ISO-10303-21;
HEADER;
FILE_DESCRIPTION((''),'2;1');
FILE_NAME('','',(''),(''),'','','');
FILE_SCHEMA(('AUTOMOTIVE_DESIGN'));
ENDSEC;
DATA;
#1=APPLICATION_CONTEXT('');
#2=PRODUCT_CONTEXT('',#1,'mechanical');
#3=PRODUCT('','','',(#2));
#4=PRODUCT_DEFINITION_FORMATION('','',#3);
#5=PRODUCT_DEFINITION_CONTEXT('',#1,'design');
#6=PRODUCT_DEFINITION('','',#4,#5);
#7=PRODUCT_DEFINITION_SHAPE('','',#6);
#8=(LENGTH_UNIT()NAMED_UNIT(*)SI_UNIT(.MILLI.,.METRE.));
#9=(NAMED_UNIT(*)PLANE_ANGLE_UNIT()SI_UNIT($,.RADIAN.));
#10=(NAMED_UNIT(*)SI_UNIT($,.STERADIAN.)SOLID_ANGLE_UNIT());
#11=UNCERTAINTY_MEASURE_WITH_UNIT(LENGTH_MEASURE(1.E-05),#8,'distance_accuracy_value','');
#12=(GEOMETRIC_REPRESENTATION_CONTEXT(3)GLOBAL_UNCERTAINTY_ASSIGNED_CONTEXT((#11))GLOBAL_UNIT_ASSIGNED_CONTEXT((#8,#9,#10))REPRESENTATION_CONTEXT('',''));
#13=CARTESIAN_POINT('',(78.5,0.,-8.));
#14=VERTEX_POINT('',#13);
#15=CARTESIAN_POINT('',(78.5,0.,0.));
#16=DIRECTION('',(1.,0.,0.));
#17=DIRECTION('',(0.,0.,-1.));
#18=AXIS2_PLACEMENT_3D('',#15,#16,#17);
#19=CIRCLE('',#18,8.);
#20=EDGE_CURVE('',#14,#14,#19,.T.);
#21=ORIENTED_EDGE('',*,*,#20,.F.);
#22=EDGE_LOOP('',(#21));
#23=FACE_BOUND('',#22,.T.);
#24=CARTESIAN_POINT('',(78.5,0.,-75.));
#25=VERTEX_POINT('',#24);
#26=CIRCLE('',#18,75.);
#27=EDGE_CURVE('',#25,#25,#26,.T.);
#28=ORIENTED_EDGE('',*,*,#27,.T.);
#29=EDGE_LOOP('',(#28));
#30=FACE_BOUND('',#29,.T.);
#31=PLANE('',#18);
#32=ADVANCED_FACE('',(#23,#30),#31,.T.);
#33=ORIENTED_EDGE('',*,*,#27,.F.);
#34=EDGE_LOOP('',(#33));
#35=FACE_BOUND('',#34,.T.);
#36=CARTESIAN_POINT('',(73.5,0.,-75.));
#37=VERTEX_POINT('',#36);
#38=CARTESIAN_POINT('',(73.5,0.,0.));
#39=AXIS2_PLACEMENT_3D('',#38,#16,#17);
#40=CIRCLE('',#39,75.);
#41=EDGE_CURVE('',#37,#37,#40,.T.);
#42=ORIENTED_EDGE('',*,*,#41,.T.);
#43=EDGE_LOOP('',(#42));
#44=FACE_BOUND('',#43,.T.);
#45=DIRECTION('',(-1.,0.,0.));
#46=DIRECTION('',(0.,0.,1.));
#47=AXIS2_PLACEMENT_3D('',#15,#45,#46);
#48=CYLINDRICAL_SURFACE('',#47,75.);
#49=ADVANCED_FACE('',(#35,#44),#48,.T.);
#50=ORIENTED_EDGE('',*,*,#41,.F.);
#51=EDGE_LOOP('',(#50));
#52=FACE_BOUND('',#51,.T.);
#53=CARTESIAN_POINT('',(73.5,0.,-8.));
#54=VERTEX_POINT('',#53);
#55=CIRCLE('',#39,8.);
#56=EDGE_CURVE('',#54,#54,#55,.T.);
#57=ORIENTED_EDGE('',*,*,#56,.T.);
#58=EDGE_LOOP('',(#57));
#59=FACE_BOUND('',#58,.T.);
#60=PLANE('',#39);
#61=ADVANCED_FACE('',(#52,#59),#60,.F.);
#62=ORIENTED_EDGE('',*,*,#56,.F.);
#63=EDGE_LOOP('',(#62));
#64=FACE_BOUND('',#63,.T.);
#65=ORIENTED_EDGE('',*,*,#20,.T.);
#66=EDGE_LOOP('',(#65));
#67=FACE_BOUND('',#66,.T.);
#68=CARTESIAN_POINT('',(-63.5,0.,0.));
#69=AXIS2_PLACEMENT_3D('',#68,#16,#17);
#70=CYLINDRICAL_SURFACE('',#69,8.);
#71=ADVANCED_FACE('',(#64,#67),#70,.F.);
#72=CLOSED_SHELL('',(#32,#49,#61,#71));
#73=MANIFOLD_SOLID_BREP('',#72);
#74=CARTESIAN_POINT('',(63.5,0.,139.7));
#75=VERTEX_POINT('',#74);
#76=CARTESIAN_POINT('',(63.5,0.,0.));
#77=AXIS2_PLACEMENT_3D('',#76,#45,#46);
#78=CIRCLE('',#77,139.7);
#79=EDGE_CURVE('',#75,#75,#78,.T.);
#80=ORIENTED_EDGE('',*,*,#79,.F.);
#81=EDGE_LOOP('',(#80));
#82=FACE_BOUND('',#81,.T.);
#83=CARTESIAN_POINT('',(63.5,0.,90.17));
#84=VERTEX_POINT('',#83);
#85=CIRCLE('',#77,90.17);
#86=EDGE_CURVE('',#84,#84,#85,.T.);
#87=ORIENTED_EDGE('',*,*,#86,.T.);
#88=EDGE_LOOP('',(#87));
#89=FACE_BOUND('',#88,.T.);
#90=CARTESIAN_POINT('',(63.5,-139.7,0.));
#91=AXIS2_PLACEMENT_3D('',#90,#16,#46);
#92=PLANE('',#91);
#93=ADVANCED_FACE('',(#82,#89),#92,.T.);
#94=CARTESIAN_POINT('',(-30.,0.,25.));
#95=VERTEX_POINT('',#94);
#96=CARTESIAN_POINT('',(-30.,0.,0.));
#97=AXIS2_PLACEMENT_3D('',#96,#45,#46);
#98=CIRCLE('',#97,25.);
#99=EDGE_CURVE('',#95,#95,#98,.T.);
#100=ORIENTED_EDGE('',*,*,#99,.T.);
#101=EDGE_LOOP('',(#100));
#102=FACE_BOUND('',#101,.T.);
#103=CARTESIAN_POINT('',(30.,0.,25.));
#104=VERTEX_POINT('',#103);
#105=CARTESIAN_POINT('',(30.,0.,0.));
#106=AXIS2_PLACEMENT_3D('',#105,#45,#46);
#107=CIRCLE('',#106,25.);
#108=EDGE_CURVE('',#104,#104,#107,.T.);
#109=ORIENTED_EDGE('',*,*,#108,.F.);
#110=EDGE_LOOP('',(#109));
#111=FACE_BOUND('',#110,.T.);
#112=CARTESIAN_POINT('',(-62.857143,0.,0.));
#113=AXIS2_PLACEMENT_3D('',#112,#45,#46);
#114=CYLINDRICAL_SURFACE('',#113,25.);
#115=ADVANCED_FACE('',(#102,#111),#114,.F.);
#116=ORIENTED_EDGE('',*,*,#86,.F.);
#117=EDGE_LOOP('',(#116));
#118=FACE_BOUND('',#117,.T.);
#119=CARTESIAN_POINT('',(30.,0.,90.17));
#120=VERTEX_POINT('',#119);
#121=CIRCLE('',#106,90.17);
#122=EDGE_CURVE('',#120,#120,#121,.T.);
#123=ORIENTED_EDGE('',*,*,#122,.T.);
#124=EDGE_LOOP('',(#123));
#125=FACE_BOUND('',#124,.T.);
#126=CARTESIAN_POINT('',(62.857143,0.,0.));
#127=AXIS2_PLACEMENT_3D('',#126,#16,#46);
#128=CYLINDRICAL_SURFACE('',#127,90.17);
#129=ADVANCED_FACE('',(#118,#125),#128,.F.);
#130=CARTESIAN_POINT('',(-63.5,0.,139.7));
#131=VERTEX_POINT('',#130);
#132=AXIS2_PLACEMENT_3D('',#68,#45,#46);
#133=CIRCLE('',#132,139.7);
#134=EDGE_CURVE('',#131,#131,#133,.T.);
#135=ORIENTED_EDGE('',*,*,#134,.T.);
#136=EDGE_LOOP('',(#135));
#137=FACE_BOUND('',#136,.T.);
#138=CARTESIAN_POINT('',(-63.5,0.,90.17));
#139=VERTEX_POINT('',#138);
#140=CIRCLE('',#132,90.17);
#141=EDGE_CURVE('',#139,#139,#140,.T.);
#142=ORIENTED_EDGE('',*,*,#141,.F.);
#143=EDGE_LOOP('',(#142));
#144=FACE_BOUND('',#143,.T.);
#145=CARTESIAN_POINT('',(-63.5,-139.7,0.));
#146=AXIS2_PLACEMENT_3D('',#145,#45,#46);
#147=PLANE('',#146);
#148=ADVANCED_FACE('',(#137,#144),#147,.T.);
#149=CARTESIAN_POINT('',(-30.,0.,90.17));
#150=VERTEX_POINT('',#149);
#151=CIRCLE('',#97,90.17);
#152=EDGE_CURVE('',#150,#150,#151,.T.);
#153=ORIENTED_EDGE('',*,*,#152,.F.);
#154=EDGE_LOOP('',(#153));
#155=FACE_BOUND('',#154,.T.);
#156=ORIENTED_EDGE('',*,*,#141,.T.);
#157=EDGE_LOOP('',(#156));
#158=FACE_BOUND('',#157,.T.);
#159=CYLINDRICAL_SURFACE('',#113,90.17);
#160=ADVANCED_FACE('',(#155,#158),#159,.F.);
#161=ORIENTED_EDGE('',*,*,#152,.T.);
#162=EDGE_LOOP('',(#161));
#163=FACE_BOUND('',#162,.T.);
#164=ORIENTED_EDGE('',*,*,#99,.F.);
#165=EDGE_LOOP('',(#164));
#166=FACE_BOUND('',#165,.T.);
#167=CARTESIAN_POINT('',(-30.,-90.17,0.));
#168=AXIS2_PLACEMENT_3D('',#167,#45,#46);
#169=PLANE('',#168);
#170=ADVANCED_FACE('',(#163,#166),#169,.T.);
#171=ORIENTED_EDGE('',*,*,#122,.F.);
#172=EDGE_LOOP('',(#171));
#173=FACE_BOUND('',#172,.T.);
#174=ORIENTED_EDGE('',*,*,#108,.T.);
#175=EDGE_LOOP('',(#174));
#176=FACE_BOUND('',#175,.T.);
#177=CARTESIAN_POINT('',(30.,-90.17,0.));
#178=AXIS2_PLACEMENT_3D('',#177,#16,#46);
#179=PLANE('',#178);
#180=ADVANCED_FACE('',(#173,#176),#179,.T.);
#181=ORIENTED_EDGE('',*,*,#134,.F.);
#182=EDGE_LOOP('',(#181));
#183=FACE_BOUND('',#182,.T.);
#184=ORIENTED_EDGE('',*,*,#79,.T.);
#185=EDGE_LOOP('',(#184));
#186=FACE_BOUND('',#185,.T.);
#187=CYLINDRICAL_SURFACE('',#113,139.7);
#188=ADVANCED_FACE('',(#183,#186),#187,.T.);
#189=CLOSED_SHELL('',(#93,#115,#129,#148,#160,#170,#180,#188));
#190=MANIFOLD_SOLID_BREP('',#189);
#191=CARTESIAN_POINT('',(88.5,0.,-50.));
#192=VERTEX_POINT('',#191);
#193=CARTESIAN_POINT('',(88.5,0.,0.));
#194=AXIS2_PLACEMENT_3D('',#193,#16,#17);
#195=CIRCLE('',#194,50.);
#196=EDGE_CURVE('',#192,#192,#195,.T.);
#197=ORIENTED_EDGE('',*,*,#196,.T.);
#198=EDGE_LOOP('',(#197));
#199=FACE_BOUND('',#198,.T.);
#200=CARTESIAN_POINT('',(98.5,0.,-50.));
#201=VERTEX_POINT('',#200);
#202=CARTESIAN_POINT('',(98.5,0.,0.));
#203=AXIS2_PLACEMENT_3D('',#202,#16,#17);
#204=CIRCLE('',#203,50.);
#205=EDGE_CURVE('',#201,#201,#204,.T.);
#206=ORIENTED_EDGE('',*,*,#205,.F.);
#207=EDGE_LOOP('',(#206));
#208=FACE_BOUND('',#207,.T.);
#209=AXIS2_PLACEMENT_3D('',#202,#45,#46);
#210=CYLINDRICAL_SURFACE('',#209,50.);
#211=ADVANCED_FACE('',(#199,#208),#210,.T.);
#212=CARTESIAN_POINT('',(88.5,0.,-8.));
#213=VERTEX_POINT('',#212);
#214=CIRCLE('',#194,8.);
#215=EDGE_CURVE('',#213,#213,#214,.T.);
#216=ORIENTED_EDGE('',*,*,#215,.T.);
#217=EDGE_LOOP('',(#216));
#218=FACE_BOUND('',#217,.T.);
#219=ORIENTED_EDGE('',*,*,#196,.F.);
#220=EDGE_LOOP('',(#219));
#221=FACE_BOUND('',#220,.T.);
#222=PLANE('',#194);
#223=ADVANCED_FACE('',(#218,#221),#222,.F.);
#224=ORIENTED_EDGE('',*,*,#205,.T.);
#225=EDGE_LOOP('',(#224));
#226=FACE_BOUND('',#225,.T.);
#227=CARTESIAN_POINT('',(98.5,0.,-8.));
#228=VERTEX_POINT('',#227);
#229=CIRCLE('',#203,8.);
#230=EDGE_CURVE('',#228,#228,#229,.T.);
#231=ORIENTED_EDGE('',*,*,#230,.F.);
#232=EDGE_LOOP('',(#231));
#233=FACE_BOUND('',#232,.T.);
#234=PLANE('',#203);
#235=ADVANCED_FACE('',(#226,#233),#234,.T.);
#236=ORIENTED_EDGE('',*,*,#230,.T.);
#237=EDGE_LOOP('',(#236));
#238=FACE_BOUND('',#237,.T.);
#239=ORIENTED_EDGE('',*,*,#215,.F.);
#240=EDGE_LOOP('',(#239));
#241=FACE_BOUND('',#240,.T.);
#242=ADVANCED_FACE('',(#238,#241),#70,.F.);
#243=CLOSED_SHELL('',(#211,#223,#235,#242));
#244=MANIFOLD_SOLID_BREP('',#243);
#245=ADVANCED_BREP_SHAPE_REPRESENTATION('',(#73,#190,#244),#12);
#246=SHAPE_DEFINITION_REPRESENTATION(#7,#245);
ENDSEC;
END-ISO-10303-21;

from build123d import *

# Parameters (mm, degrees)
BOSS_EXTRUDE1_START = 10
SKETCH2_R           = 75
BOSS_EXTRUDE1_DEPTH = 5
BOSS_EXTRUDE2_START = 10
SKETCH3_R           = 50
BOSS_EXTRUDE2_DEPTH = 10
SKETCH4_R           = 8
CUT_EXTRUDE1_DEPTH  = 163


with BuildPart() as part:
    # Sketch1 → Revolve1 (revolve)
    with BuildSketch(Plane.XY):
        Polygon((0, -25), (0, -139.7), (-63.5, -139.7), (-63.5, -90.17), (-30, -90.17), (-30, -25), align=None)
    revolve1 = revolve(axis=Axis((-62.857142857, 0, 0), (1, 0, 0)))

    # Mirror1: Revolve1 across plane
    add(revolve1.mirror(Plane(origin=(0, 0, 0), x_dir=(0, 0, 1), z_dir=(1, 0, 0))))


with BuildPart() as body_2:
    # Sketch2 → Boss-Extrude1 (new body)
    with BuildSketch(Plane(origin=(63.5, 0, 0), x_dir=(0, 0, -1), z_dir=(1, 0, 0)).offset(BOSS_EXTRUDE1_START)):
        Circle(SKETCH2_R)
    extrude(amount=BOSS_EXTRUDE1_DEPTH)


with BuildPart() as body_3:
    # Sketch3 → Boss-Extrude2 (new body)
    with BuildSketch(Plane(origin=(78.5, 0, 0), x_dir=(0, 0, -1), z_dir=(1, 0, 0)).offset(BOSS_EXTRUDE2_START)):
        Circle(SKETCH3_R)
    extrude(amount=BOSS_EXTRUDE2_DEPTH)


with BuildPart() as cut_extrude1_tool:
    # Sketch4 → Cut-Extrude1 (new body, through all)
    with BuildSketch(Plane(origin=(98.5, 0, 0), x_dir=(0, 0, -1), z_dir=(1, 0, 0))):
        Circle(SKETCH4_R)
    extrude(amount=-CUT_EXTRUDE1_DEPTH)


with BuildPart() as body_2_1:
    add(body_2.part)

    # Cut-Extrude1: cut by cut_extrude1_tool
    add(cut_extrude1_tool.part, mode=Mode.SUBTRACT)


with BuildPart() as body_3_1:
    add(body_3.part)

    # Cut-Extrude1: cut by cut_extrude1_tool
    add(cut_extrude1_tool.part, mode=Mode.SUBTRACT)


solid = Compound([part.part, body_2_1.part, body_3_1.part])
